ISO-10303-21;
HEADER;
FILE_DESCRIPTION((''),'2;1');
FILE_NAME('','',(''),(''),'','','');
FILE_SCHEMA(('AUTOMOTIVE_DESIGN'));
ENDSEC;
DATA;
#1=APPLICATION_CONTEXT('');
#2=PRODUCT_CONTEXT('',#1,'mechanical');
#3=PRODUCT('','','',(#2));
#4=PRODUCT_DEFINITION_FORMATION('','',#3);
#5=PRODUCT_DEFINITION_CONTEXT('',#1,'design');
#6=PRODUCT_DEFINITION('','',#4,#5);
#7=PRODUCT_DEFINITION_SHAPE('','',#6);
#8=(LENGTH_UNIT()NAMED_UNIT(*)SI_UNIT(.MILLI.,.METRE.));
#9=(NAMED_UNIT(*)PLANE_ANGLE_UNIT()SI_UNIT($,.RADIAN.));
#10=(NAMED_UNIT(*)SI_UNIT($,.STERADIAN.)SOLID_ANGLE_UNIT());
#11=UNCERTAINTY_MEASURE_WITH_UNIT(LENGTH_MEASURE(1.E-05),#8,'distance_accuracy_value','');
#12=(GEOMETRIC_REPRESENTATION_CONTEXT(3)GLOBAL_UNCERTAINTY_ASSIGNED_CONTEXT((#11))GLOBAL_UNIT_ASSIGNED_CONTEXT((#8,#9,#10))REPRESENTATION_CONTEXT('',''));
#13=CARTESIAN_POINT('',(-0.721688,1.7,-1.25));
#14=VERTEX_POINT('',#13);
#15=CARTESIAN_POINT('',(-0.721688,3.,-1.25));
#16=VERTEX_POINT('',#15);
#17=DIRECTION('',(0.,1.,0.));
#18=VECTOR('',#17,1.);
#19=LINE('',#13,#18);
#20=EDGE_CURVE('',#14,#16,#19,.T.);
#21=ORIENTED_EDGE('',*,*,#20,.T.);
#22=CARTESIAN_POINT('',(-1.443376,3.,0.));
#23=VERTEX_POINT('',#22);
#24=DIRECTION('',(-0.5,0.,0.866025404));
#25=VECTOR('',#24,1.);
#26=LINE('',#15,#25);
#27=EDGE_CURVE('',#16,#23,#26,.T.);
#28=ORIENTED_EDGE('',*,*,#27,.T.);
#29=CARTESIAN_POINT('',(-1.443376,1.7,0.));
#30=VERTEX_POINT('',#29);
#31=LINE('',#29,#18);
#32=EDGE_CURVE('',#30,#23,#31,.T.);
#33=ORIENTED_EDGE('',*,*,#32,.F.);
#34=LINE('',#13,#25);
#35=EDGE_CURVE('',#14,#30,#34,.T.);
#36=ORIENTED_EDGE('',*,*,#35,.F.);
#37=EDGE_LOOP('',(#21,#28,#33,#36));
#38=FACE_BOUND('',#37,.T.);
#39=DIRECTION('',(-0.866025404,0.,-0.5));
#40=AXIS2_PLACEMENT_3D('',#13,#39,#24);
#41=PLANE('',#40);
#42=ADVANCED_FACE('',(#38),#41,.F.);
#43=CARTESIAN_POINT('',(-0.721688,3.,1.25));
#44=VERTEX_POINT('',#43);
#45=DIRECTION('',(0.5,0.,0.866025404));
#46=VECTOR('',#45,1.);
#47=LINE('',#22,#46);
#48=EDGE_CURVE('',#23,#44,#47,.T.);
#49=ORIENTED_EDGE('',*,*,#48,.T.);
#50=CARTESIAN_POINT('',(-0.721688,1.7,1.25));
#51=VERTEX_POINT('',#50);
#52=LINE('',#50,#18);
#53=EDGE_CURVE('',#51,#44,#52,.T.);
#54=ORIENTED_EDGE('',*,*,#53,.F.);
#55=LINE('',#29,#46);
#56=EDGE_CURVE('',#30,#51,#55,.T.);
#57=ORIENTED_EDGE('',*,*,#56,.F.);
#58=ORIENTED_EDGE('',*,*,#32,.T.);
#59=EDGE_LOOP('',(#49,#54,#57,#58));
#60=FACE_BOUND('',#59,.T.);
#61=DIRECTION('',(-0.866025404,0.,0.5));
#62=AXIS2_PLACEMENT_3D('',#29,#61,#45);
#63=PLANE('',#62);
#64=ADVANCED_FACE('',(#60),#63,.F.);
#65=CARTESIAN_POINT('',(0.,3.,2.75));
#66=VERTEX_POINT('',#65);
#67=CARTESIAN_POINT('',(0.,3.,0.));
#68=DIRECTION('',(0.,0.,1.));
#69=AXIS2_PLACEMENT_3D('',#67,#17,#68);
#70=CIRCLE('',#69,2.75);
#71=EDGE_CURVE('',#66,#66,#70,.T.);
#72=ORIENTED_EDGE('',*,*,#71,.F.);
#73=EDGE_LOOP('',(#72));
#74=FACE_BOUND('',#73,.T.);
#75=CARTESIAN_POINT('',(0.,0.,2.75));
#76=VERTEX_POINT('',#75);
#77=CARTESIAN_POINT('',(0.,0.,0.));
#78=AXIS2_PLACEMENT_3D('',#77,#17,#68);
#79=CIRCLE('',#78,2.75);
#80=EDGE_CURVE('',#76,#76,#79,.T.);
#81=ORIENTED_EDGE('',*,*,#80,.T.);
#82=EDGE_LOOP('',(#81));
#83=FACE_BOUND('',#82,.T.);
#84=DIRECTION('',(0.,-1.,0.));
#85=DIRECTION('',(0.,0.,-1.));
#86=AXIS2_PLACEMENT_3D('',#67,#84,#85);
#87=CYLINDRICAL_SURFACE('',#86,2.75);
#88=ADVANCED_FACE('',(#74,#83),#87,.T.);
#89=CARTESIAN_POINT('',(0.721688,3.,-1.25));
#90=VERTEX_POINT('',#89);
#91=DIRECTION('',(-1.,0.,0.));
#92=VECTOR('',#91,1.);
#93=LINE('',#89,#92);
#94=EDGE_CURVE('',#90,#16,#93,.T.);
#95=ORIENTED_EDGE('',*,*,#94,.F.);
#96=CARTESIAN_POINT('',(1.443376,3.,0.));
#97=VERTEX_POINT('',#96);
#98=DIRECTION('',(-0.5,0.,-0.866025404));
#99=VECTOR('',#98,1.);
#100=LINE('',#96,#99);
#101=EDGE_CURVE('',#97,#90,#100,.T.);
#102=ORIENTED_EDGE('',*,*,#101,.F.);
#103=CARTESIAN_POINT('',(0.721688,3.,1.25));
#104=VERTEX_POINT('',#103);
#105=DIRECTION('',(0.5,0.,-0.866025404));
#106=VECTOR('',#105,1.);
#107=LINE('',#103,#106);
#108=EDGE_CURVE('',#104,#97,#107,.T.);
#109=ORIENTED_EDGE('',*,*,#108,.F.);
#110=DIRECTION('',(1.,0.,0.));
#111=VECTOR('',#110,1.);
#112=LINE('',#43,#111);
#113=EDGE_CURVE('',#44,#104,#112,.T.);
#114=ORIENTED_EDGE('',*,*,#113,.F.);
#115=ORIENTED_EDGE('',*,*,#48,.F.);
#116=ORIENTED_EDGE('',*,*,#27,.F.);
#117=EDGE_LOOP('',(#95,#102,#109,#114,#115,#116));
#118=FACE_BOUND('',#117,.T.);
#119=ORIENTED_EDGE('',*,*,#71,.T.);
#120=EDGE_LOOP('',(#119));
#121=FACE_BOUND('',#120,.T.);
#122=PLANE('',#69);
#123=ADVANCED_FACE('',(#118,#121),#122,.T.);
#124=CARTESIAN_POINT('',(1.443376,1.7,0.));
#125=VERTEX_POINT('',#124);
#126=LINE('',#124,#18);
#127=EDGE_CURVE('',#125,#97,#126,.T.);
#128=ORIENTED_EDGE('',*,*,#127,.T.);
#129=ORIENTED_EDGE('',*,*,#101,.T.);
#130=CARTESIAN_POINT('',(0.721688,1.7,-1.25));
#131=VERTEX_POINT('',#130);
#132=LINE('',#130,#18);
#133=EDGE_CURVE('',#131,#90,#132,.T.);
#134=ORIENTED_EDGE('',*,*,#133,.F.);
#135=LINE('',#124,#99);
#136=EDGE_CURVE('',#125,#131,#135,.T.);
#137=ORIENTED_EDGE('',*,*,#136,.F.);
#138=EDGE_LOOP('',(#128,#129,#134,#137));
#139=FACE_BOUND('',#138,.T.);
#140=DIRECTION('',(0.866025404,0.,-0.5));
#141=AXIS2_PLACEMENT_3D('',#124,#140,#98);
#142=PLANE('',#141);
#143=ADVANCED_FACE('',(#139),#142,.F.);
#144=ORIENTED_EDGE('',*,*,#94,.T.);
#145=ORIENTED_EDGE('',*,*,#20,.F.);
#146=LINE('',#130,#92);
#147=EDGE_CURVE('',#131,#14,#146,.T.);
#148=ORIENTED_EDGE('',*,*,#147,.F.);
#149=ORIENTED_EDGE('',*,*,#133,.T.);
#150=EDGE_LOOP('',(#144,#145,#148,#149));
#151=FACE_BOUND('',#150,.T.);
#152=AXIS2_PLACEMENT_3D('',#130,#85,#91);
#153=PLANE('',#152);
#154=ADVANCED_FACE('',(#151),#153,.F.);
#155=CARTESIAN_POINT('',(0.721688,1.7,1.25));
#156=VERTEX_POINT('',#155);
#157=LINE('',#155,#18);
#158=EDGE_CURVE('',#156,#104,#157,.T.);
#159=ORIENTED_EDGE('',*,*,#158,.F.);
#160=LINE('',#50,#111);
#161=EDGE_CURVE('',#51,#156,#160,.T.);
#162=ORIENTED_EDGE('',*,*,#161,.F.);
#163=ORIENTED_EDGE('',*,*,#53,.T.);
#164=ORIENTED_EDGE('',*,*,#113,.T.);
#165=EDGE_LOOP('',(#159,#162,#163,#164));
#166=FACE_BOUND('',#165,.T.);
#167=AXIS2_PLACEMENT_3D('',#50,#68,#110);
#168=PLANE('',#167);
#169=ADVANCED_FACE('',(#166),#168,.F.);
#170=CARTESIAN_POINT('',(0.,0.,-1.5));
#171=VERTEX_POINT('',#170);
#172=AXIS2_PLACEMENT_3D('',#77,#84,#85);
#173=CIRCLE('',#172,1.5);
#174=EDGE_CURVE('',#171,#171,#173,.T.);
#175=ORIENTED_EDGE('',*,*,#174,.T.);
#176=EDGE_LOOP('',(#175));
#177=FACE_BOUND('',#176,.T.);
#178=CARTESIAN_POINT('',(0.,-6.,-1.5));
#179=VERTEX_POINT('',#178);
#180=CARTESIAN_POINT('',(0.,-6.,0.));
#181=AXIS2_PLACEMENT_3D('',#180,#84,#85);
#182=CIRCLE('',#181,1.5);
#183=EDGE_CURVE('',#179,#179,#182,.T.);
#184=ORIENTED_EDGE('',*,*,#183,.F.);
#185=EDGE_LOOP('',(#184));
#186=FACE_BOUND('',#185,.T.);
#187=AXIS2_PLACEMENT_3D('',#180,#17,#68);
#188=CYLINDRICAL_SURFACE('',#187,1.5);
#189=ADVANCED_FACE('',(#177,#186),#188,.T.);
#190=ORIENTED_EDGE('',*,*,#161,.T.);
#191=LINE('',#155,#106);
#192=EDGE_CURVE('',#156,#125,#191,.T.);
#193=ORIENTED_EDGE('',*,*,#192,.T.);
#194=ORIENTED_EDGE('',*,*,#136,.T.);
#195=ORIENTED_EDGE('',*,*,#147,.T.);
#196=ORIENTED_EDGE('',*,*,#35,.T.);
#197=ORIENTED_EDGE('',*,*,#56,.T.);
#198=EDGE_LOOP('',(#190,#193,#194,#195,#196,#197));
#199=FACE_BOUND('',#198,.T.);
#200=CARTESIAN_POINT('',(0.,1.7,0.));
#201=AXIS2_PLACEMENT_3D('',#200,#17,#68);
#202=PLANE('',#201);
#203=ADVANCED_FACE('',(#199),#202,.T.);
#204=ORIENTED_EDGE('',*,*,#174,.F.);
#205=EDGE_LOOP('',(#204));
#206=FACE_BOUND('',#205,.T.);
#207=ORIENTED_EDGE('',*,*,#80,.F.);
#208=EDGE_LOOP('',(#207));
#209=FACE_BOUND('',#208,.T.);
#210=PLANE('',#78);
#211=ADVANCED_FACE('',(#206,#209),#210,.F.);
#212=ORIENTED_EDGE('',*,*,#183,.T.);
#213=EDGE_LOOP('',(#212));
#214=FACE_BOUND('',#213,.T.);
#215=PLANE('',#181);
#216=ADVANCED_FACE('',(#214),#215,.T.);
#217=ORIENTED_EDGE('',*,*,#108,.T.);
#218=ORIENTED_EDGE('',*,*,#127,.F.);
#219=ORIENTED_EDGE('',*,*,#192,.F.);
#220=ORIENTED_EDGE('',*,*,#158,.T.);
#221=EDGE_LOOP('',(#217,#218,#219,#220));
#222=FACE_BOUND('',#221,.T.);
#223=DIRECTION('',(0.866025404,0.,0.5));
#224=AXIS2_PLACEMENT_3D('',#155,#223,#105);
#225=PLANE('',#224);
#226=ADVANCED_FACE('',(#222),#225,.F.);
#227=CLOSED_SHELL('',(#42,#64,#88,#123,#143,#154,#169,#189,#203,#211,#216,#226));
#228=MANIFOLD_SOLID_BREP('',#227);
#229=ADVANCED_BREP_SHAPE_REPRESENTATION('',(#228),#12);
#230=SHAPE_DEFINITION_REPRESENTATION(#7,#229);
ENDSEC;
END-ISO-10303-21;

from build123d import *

# Parameters (mm, degrees)
SKETCH_1_R            = 2.75
EXTRUDE_248_DEPTH     = 3
CUT_EXTRUDE_378_DEPTH = 1.3
SKETCH_3_R            = 1.5
EXTRUDE_479_DEPTH     = 6


with BuildPart() as part:
    # 草图1 → Extrude 248 (new body)
    with BuildSketch(Plane(origin=(0, 0, 0), x_dir=(1, 0, 0), z_dir=(0, 1, 0))):
        Circle(SKETCH_1_R)
    extrude(amount=EXTRUDE_248_DEPTH)

    # 草图2 → Cut-Extrude 378 (cut)
    with BuildSketch(Plane(origin=(0, 3, 0), x_dir=(1, 0, 0), z_dir=(0, 1, 0))):
        Polygon((1.443375673, 0), (0.721687836, 1.25), (-0.721687836, 1.25), (-1.443375673, 0), (-0.721687836, -1.25), (0.721687836, -1.25), align=None)
    extrude(amount=-CUT_EXTRUDE_378_DEPTH, mode=Mode.SUBTRACT)

    # 草图3 → Extrude 479 (add)
    with BuildSketch(Plane.XZ):
        Circle(SKETCH_3_R)
    extrude(amount=EXTRUDE_479_DEPTH)


solid = part.part
